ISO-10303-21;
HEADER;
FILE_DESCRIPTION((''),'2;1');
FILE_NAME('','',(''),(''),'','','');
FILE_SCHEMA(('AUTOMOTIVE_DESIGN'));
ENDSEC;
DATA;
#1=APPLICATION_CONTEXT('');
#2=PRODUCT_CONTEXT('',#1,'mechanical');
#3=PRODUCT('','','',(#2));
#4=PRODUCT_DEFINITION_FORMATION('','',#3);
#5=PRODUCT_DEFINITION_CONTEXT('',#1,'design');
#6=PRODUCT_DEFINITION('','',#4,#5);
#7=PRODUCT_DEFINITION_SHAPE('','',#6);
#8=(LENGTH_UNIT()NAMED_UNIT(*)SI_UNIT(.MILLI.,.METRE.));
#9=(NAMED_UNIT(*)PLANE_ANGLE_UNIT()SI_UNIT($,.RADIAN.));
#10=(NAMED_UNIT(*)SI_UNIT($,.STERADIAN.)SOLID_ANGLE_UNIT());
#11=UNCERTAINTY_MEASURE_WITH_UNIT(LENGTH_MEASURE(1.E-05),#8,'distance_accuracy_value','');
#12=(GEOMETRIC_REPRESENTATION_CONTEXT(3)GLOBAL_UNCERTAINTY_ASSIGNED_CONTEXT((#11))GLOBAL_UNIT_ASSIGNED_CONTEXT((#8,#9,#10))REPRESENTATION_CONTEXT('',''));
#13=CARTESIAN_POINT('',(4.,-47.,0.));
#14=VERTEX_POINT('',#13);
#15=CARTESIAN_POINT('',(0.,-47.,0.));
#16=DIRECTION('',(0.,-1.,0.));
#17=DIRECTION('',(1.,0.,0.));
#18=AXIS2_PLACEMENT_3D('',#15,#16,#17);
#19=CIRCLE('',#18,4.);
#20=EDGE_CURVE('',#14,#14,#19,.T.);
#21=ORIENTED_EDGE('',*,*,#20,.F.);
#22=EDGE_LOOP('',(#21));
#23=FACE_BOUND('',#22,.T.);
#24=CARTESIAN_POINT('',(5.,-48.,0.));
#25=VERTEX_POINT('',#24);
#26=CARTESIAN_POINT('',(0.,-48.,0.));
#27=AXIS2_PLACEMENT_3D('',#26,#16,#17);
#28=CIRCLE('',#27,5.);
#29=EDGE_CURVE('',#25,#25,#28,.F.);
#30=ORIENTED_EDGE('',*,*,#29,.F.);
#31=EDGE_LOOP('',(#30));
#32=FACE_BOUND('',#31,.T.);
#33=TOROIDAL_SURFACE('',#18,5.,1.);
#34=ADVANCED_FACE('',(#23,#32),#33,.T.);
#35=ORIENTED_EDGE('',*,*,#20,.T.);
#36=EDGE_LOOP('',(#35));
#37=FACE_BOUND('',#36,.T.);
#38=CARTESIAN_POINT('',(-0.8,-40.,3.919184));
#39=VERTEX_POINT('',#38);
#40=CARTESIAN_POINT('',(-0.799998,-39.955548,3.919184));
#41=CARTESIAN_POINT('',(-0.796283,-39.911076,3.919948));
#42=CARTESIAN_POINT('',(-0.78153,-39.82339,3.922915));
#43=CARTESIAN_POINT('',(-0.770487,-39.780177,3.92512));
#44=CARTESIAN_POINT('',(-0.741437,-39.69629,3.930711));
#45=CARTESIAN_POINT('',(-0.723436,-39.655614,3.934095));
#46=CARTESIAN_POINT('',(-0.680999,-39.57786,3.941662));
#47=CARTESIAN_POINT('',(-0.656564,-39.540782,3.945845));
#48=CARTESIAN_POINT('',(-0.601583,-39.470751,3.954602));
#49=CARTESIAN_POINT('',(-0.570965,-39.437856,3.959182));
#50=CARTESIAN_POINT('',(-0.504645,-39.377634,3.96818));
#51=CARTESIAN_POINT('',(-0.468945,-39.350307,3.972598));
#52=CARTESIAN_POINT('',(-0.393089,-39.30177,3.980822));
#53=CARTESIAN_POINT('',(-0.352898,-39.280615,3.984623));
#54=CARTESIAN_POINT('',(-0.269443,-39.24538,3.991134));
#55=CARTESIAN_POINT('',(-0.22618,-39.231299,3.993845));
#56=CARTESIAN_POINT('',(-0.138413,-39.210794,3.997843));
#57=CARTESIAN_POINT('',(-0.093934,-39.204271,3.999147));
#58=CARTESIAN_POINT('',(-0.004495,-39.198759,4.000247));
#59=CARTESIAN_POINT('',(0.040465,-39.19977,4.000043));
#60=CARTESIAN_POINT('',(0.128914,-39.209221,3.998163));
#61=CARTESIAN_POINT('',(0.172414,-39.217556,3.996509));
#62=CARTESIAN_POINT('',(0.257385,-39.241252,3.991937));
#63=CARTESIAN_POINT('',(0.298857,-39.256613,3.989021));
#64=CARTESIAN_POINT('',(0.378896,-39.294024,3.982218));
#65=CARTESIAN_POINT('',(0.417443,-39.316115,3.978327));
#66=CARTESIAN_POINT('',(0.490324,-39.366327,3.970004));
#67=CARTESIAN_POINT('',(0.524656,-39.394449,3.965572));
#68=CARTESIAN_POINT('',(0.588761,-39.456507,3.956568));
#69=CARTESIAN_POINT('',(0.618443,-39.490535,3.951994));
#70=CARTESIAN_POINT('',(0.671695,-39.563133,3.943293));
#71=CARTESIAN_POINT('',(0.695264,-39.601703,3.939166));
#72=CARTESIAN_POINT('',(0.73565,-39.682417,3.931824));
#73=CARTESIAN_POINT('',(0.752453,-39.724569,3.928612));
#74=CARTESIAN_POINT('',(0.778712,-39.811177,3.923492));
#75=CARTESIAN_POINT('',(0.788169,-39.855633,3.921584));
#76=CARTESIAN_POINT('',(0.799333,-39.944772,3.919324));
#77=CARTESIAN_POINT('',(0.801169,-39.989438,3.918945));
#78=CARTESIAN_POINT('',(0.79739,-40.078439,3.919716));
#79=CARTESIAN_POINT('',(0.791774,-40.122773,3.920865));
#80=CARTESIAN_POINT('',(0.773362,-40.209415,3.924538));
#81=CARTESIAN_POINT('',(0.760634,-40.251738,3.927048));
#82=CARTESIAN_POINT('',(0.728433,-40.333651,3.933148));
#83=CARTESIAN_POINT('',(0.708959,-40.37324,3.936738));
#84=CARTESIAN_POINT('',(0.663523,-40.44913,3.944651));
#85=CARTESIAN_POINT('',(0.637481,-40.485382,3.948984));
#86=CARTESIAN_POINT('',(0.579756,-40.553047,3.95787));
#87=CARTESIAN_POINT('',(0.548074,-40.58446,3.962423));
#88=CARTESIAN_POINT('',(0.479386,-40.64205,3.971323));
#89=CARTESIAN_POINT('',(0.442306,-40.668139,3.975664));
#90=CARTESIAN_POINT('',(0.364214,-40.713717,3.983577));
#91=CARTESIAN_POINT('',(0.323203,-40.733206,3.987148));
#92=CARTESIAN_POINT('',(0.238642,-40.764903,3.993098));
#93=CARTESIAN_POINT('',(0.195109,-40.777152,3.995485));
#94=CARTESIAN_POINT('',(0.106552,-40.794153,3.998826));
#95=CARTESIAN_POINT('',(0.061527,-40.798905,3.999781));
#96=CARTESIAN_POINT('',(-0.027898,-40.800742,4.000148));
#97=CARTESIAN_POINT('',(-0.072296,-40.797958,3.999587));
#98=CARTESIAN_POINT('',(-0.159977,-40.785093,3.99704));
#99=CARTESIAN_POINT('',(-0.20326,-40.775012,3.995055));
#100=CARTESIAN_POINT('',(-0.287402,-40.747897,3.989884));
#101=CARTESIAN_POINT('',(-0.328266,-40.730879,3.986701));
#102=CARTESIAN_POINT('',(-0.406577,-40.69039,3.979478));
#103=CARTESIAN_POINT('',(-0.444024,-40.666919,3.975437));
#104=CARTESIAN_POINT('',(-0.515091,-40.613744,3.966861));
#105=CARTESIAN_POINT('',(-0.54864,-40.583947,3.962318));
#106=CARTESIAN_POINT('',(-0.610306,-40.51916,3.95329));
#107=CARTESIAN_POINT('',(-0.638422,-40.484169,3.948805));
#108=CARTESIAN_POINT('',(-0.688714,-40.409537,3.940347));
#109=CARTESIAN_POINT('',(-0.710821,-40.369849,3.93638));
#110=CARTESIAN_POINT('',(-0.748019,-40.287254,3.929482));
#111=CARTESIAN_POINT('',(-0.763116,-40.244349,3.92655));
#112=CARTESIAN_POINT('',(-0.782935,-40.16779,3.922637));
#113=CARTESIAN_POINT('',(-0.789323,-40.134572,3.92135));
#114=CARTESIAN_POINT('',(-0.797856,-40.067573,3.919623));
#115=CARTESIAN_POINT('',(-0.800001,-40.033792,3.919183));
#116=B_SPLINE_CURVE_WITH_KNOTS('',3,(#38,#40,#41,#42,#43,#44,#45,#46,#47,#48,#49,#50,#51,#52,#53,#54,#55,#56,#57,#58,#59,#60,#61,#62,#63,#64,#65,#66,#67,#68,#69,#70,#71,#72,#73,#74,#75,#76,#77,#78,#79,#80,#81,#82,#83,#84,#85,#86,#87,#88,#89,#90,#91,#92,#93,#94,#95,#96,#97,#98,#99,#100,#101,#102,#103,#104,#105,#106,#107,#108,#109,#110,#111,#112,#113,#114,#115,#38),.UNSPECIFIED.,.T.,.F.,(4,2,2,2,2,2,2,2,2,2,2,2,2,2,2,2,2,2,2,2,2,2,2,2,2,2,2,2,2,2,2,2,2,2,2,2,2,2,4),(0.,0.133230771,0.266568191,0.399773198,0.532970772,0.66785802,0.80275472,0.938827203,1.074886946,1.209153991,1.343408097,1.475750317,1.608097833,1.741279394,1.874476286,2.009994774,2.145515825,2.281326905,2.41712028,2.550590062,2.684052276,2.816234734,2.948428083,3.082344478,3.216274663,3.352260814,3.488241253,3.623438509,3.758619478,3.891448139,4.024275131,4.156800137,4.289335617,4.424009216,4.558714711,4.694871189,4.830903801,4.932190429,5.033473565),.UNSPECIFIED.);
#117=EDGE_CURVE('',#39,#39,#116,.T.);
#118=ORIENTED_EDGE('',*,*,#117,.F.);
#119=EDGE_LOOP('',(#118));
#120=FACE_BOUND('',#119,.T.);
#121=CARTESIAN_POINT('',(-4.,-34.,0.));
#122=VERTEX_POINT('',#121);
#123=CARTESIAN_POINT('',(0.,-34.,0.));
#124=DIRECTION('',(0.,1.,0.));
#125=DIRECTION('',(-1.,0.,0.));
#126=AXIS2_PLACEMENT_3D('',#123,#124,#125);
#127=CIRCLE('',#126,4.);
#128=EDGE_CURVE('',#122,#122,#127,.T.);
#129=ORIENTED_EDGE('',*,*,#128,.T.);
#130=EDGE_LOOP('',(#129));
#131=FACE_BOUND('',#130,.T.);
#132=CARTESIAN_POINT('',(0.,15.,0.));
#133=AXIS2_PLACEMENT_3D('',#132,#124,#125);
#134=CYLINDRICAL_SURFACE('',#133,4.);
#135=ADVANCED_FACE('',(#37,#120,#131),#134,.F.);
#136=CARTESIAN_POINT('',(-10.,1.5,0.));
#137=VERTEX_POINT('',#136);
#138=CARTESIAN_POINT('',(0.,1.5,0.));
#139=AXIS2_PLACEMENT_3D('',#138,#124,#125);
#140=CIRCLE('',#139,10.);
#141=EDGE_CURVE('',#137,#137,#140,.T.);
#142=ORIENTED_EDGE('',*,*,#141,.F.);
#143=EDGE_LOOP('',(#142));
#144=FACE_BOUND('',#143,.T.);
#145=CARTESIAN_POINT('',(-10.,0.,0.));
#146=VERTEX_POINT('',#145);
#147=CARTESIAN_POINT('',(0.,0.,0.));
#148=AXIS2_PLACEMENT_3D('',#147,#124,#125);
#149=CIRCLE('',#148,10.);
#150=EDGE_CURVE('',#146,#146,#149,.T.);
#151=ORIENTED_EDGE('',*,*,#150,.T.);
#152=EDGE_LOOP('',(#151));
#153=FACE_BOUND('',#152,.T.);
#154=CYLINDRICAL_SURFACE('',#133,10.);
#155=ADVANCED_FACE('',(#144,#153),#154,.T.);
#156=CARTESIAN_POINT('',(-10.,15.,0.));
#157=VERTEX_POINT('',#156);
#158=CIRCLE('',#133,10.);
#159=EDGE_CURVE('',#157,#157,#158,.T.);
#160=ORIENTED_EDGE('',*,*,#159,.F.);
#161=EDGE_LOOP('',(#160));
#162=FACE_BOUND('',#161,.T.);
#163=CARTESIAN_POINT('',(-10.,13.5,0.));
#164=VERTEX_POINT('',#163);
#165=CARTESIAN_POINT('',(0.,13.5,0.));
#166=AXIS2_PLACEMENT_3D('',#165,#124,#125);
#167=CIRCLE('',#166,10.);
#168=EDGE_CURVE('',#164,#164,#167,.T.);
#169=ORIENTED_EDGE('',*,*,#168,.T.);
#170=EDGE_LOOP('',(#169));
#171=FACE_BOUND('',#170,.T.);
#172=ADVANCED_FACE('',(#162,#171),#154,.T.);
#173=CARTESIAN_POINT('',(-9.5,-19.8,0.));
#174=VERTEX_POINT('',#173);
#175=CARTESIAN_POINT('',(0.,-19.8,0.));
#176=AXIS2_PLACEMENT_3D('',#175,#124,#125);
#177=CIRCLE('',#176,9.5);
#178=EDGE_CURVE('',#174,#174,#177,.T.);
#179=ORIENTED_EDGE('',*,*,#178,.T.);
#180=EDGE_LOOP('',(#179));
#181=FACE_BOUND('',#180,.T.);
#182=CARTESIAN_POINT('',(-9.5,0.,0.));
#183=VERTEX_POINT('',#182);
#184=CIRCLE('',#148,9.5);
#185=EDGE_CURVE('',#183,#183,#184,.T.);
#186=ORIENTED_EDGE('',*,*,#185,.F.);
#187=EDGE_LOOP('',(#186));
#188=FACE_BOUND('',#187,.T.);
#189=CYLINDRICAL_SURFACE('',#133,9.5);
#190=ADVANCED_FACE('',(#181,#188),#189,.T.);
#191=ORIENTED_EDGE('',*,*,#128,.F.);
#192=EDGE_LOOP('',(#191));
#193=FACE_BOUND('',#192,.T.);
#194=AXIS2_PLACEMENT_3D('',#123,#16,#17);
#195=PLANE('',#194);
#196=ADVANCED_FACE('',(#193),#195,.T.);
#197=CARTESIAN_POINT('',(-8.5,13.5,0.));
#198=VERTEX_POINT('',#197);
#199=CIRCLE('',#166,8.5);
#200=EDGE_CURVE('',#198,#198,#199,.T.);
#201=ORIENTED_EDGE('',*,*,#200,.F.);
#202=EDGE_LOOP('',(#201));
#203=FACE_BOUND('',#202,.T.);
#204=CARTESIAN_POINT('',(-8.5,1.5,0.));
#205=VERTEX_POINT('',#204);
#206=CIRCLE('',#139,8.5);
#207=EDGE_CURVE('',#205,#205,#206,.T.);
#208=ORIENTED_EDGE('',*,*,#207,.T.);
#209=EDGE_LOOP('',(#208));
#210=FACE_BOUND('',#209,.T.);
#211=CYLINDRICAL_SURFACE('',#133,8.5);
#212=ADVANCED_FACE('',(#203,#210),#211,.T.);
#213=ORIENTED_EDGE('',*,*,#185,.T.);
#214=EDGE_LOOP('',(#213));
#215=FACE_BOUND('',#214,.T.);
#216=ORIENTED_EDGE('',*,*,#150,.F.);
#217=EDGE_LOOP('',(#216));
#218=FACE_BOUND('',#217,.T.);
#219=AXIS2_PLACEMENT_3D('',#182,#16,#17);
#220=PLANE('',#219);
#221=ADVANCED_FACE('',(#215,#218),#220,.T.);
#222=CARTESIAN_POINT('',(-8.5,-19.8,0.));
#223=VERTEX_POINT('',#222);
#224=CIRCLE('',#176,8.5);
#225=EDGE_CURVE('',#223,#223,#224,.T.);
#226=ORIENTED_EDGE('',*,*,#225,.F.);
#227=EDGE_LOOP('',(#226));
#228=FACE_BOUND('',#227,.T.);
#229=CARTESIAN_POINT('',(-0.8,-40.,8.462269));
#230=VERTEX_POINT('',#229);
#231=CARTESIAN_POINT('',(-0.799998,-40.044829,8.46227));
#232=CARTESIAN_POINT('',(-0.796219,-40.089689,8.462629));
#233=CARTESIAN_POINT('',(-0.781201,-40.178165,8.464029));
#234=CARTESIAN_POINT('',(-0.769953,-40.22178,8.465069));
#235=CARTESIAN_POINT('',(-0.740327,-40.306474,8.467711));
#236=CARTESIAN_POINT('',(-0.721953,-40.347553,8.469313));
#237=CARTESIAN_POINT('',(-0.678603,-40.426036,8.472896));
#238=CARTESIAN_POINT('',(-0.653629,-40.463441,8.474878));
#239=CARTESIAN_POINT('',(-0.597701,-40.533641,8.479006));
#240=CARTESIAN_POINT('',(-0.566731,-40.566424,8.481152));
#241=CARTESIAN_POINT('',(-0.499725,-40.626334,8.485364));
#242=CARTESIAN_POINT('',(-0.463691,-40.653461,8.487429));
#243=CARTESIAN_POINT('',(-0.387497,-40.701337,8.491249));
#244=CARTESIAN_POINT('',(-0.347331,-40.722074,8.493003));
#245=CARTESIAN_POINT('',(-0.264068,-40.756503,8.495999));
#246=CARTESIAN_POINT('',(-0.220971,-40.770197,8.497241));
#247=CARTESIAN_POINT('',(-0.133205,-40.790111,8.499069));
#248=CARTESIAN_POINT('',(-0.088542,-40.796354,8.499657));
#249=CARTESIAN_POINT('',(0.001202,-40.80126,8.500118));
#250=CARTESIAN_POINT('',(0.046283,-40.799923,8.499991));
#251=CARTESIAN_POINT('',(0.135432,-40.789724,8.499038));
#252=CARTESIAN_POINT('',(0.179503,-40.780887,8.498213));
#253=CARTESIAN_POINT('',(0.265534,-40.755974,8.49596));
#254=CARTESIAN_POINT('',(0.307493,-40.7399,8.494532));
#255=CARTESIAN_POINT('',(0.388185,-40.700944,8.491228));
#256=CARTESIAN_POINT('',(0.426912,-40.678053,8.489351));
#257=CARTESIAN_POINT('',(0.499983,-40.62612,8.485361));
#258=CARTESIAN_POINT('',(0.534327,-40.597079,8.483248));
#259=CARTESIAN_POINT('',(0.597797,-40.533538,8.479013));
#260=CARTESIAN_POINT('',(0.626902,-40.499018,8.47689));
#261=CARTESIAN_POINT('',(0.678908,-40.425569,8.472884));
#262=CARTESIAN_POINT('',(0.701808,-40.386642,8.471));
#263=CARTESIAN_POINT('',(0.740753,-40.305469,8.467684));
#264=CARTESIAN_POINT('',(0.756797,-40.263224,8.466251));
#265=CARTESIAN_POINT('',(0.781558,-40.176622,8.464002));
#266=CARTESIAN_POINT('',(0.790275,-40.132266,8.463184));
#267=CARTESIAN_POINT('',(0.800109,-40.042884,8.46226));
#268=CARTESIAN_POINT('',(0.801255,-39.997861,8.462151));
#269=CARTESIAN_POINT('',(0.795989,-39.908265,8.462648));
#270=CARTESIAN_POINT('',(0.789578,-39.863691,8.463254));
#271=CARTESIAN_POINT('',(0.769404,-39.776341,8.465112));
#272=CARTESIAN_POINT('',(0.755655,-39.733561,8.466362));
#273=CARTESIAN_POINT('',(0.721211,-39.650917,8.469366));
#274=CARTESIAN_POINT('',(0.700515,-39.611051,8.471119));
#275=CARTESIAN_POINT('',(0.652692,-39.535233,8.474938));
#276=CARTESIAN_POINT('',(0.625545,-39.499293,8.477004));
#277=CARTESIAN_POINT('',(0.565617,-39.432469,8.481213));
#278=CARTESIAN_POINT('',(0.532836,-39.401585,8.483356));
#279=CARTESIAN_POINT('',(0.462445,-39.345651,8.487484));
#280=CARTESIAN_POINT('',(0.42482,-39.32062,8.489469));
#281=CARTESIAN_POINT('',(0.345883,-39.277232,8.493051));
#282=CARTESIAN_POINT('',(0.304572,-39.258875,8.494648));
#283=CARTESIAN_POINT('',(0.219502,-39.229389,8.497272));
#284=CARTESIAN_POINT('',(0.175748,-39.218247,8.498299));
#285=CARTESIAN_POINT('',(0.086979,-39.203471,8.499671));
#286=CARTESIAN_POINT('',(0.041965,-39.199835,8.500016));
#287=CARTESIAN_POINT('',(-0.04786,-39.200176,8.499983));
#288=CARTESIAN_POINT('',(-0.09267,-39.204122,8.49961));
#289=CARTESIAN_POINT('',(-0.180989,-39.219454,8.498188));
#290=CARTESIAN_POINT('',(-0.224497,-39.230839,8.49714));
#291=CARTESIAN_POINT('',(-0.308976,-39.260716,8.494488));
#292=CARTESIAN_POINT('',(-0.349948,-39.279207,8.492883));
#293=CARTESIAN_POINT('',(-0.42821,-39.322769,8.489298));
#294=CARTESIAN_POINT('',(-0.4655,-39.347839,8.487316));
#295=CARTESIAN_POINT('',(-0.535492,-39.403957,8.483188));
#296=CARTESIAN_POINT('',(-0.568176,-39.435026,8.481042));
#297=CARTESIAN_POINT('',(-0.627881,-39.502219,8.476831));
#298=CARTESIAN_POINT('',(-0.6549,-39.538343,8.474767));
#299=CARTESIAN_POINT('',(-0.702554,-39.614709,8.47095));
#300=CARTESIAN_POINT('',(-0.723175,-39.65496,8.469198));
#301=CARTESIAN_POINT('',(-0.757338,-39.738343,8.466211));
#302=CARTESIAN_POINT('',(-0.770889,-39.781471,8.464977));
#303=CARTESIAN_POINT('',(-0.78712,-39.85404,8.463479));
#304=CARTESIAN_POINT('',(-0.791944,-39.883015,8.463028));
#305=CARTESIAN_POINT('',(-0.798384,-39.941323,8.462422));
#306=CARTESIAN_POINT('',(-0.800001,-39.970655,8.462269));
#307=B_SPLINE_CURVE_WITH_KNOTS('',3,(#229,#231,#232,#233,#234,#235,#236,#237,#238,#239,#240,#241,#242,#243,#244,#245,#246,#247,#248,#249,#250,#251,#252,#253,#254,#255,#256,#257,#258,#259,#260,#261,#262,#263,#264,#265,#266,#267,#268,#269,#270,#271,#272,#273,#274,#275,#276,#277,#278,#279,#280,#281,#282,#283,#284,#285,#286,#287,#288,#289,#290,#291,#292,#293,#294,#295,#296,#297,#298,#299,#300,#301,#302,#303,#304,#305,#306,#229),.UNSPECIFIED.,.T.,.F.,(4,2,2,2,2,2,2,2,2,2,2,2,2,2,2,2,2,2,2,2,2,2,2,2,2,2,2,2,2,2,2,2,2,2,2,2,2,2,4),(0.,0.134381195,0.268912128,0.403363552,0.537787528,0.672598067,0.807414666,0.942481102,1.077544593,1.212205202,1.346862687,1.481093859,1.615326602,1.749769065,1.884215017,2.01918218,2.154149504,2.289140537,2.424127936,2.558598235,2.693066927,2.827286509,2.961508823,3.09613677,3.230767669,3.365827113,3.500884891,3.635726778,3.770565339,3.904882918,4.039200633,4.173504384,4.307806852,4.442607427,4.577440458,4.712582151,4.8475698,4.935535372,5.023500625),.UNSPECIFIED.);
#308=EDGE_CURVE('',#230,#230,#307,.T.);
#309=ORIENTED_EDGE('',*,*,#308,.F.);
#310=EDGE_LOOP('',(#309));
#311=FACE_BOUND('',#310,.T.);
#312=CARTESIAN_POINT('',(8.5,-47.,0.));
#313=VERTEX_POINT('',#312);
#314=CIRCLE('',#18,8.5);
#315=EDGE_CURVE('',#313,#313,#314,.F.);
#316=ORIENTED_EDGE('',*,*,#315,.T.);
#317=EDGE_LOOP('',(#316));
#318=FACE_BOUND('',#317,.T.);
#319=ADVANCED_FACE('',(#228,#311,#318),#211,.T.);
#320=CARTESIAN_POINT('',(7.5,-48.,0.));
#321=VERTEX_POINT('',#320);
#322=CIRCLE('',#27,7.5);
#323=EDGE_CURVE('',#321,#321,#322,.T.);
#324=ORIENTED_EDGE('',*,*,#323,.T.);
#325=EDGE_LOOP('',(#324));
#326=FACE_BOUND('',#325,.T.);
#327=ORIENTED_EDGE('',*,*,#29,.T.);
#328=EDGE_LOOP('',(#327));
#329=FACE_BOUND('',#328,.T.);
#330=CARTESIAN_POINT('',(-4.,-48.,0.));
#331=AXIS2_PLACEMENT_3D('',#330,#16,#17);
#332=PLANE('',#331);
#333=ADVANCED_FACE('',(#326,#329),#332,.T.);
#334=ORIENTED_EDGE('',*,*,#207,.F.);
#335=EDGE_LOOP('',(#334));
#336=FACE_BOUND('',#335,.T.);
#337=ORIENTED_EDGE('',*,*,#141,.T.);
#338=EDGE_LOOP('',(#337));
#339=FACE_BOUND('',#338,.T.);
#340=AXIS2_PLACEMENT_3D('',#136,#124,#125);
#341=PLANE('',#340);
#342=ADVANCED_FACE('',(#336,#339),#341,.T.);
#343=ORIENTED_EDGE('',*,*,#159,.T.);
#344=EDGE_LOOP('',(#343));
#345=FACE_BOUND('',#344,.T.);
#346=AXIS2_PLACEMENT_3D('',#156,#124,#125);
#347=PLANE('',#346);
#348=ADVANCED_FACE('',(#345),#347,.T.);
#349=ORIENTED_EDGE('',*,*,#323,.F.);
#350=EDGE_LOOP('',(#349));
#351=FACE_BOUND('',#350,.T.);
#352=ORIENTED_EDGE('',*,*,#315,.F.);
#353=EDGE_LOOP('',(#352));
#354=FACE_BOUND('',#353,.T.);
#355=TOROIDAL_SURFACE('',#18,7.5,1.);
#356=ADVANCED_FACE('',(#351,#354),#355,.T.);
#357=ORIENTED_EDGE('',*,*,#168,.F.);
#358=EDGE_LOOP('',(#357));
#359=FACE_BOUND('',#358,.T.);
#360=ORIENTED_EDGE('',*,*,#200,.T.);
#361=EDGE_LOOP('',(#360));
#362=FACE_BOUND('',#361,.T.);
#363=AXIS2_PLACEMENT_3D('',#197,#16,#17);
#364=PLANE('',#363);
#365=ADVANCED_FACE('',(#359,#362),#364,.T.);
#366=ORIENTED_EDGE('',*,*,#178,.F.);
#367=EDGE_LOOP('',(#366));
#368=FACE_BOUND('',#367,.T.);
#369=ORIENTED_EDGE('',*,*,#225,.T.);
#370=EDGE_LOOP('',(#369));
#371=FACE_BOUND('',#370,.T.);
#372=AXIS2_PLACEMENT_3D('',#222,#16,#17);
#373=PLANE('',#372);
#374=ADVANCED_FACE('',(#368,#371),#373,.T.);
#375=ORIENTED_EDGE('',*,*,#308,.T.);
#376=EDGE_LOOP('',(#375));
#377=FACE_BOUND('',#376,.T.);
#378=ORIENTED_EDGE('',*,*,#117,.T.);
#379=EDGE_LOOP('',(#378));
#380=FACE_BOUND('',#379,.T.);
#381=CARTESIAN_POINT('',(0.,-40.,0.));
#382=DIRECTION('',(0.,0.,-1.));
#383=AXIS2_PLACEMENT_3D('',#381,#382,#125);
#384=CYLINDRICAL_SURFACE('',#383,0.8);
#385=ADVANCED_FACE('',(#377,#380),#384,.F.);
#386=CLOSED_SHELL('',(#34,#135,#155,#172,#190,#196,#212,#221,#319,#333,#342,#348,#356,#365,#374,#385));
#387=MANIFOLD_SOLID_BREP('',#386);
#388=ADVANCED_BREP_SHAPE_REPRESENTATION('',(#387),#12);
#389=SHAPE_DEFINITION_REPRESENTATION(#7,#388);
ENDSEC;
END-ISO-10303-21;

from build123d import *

# Parameters (mm, degrees)
FILLET1_R = 1
SKETCH3_W = 0.8
SKETCH3_H = 8.5


with BuildPart() as part:
    # Sketch1 → Revolve1 (revolve)
    with BuildSketch(Plane.XY):
        Polygon((-8.5, -48), (-8.5, -19.8), (-9.5, -19.8), (-9.5, 0), (-10, 0), (-10, 1.5), (-8.5, 1.5), (-8.5, 13.5), (-10, 13.5), (-10, 15), (0, 15), (0, -34), (-4, -34), (-4, -48), align=None)
    revolve(axis=Axis((0, 15, 0), (0, -1, 0)))

    # Fillet1
    fillet1_edges = [part.edges().sort_by_distance(p)[0] for p in [
        (8.5, -48, 0),
        (4, -48, 0),
    ]]
    fillet(fillet1_edges, radius=FILLET1_R)

    # Sketch3 → M2x0.4 Tapped Hole1 (revolve, cut)
    with BuildSketch(Plane(origin=(0, -40, 0), x_dir=(0, 1, 0), z_dir=(1, 0, 0))):
        with Locations((0.4, 4.25)):
            Rectangle(SKETCH3_W, SKETCH3_H)
    revolve(axis=Axis((0, -40, -6.35), (0, 0, 1)), mode=Mode.SUBTRACT)


solid = part.part
